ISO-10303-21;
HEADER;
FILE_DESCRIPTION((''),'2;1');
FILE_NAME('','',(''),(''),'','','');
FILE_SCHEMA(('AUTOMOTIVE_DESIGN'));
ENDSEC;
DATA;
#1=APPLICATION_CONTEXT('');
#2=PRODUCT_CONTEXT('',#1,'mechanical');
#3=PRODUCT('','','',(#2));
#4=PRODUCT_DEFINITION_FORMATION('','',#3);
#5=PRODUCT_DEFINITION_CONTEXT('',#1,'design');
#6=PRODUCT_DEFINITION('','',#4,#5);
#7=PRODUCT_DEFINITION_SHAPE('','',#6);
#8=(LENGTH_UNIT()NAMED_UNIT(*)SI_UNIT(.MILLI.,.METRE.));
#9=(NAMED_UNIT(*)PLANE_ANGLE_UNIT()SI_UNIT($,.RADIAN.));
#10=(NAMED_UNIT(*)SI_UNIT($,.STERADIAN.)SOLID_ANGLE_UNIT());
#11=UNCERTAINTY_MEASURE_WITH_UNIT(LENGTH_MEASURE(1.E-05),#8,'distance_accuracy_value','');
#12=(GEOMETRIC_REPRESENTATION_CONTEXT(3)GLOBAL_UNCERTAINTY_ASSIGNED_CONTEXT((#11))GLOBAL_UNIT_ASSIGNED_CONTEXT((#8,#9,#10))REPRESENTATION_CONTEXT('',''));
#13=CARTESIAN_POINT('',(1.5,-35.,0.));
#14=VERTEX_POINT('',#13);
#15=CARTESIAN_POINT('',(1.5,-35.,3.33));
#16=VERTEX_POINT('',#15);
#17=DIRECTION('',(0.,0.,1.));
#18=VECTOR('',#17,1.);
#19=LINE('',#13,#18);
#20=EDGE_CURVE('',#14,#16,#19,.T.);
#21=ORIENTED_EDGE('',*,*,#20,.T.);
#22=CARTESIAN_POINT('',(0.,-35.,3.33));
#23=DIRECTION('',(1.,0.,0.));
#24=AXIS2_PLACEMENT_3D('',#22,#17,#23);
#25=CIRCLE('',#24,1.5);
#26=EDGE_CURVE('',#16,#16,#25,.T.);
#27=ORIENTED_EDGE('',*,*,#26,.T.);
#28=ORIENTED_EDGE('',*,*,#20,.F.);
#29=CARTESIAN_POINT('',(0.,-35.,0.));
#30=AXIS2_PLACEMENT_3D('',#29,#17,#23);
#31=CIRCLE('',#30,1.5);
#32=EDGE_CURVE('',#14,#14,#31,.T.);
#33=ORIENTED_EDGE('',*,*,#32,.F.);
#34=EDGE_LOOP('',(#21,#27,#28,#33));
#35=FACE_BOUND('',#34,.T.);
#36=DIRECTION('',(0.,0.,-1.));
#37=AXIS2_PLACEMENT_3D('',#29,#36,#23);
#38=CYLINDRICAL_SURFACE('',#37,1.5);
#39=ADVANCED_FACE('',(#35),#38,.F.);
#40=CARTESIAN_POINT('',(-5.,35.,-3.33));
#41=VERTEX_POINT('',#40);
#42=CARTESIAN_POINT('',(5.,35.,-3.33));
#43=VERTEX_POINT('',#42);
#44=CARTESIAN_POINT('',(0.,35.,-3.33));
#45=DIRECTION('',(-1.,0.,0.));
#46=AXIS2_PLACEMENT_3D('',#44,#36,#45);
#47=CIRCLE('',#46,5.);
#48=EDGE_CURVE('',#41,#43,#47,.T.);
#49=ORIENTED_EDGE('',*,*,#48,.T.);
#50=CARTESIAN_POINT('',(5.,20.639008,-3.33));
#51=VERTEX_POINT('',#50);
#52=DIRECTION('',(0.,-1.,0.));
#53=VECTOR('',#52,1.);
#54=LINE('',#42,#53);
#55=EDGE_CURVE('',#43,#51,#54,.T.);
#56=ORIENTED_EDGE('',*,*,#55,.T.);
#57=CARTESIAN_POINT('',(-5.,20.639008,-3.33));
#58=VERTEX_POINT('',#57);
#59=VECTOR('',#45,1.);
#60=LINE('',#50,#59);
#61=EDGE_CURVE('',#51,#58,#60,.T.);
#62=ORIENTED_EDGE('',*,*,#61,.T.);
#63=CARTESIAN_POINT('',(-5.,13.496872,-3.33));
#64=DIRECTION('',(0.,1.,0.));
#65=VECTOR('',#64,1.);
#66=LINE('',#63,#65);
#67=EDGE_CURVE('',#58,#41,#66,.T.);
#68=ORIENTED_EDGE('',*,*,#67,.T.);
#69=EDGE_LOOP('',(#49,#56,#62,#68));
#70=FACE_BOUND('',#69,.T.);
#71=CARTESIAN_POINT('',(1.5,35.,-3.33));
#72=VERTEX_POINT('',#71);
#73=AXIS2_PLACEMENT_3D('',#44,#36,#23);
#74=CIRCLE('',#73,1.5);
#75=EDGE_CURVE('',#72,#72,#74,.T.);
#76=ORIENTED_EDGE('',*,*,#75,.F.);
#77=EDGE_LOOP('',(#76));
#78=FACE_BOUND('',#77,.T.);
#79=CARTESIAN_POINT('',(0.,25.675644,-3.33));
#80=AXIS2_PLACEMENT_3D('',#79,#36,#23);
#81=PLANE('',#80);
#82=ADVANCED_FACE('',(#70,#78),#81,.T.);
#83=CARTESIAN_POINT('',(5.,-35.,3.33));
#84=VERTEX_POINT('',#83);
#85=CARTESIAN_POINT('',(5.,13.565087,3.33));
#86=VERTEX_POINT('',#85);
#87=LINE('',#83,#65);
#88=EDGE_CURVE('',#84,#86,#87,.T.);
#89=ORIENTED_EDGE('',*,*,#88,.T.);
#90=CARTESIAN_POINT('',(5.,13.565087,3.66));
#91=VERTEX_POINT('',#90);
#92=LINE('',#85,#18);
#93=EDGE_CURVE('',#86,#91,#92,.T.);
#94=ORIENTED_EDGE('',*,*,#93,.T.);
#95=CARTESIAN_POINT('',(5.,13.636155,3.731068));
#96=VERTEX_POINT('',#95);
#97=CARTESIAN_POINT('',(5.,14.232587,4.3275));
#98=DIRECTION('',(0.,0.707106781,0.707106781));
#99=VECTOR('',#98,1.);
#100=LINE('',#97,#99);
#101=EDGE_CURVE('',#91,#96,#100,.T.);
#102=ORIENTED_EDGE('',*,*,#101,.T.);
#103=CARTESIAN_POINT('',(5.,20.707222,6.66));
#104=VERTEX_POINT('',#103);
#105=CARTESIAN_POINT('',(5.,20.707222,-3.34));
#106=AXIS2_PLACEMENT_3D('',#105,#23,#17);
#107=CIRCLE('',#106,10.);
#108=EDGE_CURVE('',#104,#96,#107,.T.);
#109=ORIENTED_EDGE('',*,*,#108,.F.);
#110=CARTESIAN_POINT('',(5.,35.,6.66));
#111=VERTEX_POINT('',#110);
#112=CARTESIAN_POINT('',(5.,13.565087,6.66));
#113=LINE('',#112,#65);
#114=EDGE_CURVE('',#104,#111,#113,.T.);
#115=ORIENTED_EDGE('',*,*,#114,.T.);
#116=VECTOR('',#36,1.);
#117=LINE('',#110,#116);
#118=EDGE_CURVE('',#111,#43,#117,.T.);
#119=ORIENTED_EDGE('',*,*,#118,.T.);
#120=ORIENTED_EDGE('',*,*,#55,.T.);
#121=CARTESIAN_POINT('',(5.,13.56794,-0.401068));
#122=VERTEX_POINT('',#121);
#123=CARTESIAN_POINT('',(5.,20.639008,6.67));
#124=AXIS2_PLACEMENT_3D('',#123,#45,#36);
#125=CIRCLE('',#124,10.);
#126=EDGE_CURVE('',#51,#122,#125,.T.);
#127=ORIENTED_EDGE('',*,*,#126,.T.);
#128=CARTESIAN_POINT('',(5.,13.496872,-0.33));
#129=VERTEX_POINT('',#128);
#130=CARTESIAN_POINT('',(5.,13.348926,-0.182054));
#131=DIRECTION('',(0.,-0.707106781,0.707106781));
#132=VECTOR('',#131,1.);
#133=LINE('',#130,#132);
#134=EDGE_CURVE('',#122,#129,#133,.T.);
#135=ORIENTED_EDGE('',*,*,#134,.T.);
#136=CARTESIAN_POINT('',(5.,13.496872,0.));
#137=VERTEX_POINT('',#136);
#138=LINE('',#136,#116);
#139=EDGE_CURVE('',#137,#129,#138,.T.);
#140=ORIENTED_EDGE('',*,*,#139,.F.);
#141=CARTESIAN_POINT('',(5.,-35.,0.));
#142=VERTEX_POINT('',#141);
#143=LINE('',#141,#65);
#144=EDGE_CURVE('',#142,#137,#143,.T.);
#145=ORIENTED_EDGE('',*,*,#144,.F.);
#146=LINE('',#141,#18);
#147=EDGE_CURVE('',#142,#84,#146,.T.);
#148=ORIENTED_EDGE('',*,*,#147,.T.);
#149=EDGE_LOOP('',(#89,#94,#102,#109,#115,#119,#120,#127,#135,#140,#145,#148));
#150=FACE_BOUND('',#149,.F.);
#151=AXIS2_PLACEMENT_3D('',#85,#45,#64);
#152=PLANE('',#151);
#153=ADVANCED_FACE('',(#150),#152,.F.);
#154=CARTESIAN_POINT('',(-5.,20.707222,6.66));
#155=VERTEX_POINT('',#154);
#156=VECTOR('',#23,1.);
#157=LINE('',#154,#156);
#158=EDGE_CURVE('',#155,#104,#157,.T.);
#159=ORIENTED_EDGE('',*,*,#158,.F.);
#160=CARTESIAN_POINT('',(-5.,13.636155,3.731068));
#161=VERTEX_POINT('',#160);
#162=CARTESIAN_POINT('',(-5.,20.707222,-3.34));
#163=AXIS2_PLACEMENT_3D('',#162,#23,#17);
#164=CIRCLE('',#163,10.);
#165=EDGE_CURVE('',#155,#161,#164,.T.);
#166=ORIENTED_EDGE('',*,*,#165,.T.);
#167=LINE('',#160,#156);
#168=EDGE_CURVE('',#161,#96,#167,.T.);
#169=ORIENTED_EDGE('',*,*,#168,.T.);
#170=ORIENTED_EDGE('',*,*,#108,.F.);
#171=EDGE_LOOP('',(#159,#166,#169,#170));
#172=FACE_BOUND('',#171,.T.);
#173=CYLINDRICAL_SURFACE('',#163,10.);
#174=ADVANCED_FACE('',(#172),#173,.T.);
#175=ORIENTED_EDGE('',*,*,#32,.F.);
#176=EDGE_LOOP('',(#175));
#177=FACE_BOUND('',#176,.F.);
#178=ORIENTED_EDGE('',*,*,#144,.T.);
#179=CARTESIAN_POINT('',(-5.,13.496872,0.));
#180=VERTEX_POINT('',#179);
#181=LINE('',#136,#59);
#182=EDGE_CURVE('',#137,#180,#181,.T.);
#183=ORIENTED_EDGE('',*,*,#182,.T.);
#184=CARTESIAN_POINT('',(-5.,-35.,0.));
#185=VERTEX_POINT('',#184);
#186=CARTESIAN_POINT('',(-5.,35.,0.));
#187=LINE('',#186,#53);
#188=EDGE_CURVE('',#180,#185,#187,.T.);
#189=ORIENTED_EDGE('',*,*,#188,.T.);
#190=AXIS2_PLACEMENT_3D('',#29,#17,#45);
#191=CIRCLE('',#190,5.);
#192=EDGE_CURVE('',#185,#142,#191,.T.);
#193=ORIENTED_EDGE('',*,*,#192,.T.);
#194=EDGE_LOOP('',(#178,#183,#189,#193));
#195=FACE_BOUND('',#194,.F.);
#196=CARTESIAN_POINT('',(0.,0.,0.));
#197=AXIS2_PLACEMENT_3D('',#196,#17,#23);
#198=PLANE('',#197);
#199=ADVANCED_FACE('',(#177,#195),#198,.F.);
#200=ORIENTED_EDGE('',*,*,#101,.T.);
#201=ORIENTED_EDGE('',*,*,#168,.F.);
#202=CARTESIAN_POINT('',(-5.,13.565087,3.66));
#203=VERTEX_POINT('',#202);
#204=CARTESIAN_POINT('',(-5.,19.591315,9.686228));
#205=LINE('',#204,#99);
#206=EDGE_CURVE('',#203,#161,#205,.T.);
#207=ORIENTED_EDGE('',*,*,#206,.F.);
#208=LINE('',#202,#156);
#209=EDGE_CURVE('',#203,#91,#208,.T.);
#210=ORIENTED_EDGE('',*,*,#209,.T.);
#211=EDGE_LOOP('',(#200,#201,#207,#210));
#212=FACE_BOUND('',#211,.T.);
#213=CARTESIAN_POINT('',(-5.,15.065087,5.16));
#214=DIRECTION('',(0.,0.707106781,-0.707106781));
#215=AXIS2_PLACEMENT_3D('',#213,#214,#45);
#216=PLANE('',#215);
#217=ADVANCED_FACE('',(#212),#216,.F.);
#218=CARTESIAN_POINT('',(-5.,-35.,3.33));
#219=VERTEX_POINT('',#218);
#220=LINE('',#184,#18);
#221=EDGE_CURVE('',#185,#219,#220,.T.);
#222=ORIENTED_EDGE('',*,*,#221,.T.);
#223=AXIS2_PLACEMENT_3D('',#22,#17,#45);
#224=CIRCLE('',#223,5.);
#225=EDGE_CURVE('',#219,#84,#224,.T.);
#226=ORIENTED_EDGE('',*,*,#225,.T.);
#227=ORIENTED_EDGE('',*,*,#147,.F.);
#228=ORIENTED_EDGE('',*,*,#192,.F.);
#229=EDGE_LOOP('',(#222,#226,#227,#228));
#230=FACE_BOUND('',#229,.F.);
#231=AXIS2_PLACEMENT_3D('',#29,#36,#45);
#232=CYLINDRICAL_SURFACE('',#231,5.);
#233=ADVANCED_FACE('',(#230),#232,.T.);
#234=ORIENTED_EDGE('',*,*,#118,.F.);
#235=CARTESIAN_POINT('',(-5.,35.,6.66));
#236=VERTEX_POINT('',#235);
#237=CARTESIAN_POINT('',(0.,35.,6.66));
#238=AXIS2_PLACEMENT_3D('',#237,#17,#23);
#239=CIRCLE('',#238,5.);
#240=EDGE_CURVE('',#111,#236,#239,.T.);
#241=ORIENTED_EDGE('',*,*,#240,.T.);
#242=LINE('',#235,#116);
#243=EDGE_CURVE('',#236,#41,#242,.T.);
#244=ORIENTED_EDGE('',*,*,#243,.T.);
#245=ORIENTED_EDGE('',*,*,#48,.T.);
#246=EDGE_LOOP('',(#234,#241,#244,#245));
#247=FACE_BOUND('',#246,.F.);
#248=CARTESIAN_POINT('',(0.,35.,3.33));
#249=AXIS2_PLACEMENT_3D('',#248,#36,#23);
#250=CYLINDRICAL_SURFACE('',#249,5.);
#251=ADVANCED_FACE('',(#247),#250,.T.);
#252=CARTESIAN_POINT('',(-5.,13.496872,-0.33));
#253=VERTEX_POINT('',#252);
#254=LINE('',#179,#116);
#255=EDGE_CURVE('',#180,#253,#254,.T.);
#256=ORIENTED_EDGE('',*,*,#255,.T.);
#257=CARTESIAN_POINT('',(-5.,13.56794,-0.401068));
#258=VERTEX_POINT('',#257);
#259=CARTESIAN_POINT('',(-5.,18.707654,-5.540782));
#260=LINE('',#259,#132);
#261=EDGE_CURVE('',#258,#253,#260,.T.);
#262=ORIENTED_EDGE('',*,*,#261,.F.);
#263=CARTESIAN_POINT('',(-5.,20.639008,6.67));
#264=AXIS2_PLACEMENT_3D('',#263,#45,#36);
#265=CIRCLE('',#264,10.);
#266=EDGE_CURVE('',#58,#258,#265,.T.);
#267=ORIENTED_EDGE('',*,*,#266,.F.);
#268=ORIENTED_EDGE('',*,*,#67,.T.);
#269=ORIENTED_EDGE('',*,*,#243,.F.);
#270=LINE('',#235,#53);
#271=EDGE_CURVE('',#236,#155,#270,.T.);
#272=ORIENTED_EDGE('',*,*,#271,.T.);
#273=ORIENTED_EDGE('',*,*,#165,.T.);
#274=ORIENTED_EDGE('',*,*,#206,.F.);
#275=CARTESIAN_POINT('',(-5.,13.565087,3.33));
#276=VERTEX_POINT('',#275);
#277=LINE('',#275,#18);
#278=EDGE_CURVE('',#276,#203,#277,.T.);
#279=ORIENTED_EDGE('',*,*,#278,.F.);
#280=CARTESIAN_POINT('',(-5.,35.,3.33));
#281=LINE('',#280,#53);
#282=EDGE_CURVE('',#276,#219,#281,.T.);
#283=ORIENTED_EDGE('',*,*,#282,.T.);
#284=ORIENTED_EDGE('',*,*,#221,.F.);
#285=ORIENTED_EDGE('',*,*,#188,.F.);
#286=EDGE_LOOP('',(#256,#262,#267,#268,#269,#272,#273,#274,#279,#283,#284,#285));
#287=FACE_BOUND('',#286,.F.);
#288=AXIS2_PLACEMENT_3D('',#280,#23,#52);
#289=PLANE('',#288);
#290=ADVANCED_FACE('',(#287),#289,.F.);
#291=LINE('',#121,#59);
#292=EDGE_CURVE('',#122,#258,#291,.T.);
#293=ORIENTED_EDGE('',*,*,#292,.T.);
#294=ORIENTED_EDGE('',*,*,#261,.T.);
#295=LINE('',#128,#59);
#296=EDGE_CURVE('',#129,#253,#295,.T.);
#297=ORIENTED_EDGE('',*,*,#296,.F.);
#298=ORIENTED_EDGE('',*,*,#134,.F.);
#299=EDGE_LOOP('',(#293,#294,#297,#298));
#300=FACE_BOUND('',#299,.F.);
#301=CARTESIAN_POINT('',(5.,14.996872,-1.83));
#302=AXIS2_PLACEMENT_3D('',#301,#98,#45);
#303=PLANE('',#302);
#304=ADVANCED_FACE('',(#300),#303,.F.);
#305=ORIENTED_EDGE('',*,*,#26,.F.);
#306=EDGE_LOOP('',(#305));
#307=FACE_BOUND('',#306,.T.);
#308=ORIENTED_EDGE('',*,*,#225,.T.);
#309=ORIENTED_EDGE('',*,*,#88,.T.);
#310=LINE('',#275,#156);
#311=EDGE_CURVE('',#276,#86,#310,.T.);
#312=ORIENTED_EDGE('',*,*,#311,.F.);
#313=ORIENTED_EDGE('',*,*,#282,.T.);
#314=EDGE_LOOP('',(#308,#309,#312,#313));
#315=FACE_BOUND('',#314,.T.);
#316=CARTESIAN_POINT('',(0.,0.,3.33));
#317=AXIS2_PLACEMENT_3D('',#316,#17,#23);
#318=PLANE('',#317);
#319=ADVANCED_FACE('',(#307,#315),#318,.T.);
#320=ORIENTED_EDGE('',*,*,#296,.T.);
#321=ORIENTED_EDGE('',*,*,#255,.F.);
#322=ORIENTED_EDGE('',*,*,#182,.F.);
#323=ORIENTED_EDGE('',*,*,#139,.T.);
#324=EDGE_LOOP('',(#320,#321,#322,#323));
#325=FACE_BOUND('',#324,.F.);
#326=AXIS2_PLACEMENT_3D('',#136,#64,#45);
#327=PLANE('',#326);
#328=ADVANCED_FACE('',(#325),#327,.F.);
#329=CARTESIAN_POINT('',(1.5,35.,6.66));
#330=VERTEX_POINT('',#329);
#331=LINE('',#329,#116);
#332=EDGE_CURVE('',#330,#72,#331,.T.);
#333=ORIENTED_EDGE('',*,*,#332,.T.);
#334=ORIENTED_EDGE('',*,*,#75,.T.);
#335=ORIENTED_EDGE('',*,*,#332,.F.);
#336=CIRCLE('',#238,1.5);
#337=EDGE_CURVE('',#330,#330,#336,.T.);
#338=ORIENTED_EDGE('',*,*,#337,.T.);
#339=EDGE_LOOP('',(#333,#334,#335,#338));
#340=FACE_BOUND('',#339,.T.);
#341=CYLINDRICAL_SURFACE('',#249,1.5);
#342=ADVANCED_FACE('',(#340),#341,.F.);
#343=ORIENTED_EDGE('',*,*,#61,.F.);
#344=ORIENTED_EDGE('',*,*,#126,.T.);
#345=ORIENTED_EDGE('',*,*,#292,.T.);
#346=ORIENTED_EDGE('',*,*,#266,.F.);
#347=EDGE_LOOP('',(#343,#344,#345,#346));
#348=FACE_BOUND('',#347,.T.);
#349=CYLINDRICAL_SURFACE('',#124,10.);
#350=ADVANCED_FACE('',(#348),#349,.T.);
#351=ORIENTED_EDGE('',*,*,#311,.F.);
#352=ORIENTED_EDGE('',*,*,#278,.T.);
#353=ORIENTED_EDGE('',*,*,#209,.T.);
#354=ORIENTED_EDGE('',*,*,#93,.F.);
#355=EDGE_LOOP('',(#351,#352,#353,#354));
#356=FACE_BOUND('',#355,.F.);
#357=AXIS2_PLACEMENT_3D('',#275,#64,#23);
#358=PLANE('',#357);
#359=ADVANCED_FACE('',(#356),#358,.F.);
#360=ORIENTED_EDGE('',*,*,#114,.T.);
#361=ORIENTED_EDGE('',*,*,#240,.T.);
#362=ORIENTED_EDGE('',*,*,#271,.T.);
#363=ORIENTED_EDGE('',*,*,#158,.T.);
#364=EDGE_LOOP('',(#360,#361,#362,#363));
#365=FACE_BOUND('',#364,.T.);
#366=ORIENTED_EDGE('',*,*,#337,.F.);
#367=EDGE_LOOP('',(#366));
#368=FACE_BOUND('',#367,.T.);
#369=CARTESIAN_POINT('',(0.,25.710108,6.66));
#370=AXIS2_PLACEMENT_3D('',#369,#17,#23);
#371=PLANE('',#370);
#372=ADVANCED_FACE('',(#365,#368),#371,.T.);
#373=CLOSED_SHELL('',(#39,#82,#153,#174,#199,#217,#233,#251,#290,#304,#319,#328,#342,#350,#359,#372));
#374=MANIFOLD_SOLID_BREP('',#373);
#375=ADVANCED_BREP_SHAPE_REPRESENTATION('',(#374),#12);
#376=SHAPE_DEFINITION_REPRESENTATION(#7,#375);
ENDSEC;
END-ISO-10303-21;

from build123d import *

# Parameters (mm, degrees)
F0_R     = 1.5
F1_DEPTH = 3.33
F3_R     = 1.5
F4_DEPTH = 3.33
F2_R     = 1.5
F5_DEPTH = 3.33
F6_SIZE  = 3
F7_R     = 10
F8_SIZE  = 3
F9_R     = 10


with BuildPart() as f1:
    # F0 (on Top) → F1 (new body)
    with BuildSketch(Plane.XY):
        with BuildLine():
            ThreePointArc((-5, -35), (0, -40), (5, -35))
            Line((5, -35), (5, 35))
            ThreePointArc((5, 35), (0, 40), (-5, 35))
            Line((-5, 35), (-5, -35))
        make_face()
        with Locations((0, -35)):
            Circle(F0_R, mode=Mode.SUBTRACT)
        with Locations((0, 35)):
            Circle(F0_R, mode=Mode.SUBTRACT)
    extrude(amount=F1_DEPTH)

    # F3 (on face) → F4 (join)
    with BuildSketch(Plane(origin=(0, 0, 0), x_dir=(1, 0, 0), z_dir=(0, 0, -1))):
        with BuildLine():
            Line((5, -35), (5, -13.4968720376))
            Line((5, -13.4968720376), (-5, -13.4968720376))
            Line((-5, -13.4968720376), (-5, -35))
            ThreePointArc((-5, -35), (0, -40), (5, -35))
        make_face()
        with Locations((0, -35)):
            Circle(F3_R, mode=Mode.SUBTRACT)
    extrude(amount=F4_DEPTH)

    # F2 (on face) → F5 (join)
    with BuildSketch(Plane.XY.offset(3.33)):
        with BuildLine():
            Line((-5, 35), (-5, 13.5650867596))
            Line((-5, 13.5650867596), (5, 13.5650867596))
            Line((5, 13.5650867596), (5, 35))
            ThreePointArc((5, 35), (0, 40), (-5, 35))
        make_face()
        with Locations((0, 35)):
            Circle(F2_R, mode=Mode.SUBTRACT)
    extrude(amount=F5_DEPTH)

    # F6
    f6_edges = [f1.edges().sort_by_distance(p)[0] for p in [
        (0, 13.565087, 6.66),
    ]]
    chamfer(f6_edges, length=F6_SIZE)

    # F7
    f7_edges = [f1.edges().sort_by_distance(p)[0] for p in [
        (0, 16.565087, 6.66),
    ]]
    fillet(f7_edges, radius=F7_R)

    # F8
    f8_edges = [f1.edges().sort_by_distance(p)[0] for p in [
        (0, 13.496872, -3.33),
    ]]
    chamfer(f8_edges, length=F8_SIZE)

    # F9
    f9_edges = [f1.edges().sort_by_distance(p)[0] for p in [
        (0, 16.496872, -3.33),
    ]]
    fillet(f9_edges, radius=F9_R)


solid = f1.part
